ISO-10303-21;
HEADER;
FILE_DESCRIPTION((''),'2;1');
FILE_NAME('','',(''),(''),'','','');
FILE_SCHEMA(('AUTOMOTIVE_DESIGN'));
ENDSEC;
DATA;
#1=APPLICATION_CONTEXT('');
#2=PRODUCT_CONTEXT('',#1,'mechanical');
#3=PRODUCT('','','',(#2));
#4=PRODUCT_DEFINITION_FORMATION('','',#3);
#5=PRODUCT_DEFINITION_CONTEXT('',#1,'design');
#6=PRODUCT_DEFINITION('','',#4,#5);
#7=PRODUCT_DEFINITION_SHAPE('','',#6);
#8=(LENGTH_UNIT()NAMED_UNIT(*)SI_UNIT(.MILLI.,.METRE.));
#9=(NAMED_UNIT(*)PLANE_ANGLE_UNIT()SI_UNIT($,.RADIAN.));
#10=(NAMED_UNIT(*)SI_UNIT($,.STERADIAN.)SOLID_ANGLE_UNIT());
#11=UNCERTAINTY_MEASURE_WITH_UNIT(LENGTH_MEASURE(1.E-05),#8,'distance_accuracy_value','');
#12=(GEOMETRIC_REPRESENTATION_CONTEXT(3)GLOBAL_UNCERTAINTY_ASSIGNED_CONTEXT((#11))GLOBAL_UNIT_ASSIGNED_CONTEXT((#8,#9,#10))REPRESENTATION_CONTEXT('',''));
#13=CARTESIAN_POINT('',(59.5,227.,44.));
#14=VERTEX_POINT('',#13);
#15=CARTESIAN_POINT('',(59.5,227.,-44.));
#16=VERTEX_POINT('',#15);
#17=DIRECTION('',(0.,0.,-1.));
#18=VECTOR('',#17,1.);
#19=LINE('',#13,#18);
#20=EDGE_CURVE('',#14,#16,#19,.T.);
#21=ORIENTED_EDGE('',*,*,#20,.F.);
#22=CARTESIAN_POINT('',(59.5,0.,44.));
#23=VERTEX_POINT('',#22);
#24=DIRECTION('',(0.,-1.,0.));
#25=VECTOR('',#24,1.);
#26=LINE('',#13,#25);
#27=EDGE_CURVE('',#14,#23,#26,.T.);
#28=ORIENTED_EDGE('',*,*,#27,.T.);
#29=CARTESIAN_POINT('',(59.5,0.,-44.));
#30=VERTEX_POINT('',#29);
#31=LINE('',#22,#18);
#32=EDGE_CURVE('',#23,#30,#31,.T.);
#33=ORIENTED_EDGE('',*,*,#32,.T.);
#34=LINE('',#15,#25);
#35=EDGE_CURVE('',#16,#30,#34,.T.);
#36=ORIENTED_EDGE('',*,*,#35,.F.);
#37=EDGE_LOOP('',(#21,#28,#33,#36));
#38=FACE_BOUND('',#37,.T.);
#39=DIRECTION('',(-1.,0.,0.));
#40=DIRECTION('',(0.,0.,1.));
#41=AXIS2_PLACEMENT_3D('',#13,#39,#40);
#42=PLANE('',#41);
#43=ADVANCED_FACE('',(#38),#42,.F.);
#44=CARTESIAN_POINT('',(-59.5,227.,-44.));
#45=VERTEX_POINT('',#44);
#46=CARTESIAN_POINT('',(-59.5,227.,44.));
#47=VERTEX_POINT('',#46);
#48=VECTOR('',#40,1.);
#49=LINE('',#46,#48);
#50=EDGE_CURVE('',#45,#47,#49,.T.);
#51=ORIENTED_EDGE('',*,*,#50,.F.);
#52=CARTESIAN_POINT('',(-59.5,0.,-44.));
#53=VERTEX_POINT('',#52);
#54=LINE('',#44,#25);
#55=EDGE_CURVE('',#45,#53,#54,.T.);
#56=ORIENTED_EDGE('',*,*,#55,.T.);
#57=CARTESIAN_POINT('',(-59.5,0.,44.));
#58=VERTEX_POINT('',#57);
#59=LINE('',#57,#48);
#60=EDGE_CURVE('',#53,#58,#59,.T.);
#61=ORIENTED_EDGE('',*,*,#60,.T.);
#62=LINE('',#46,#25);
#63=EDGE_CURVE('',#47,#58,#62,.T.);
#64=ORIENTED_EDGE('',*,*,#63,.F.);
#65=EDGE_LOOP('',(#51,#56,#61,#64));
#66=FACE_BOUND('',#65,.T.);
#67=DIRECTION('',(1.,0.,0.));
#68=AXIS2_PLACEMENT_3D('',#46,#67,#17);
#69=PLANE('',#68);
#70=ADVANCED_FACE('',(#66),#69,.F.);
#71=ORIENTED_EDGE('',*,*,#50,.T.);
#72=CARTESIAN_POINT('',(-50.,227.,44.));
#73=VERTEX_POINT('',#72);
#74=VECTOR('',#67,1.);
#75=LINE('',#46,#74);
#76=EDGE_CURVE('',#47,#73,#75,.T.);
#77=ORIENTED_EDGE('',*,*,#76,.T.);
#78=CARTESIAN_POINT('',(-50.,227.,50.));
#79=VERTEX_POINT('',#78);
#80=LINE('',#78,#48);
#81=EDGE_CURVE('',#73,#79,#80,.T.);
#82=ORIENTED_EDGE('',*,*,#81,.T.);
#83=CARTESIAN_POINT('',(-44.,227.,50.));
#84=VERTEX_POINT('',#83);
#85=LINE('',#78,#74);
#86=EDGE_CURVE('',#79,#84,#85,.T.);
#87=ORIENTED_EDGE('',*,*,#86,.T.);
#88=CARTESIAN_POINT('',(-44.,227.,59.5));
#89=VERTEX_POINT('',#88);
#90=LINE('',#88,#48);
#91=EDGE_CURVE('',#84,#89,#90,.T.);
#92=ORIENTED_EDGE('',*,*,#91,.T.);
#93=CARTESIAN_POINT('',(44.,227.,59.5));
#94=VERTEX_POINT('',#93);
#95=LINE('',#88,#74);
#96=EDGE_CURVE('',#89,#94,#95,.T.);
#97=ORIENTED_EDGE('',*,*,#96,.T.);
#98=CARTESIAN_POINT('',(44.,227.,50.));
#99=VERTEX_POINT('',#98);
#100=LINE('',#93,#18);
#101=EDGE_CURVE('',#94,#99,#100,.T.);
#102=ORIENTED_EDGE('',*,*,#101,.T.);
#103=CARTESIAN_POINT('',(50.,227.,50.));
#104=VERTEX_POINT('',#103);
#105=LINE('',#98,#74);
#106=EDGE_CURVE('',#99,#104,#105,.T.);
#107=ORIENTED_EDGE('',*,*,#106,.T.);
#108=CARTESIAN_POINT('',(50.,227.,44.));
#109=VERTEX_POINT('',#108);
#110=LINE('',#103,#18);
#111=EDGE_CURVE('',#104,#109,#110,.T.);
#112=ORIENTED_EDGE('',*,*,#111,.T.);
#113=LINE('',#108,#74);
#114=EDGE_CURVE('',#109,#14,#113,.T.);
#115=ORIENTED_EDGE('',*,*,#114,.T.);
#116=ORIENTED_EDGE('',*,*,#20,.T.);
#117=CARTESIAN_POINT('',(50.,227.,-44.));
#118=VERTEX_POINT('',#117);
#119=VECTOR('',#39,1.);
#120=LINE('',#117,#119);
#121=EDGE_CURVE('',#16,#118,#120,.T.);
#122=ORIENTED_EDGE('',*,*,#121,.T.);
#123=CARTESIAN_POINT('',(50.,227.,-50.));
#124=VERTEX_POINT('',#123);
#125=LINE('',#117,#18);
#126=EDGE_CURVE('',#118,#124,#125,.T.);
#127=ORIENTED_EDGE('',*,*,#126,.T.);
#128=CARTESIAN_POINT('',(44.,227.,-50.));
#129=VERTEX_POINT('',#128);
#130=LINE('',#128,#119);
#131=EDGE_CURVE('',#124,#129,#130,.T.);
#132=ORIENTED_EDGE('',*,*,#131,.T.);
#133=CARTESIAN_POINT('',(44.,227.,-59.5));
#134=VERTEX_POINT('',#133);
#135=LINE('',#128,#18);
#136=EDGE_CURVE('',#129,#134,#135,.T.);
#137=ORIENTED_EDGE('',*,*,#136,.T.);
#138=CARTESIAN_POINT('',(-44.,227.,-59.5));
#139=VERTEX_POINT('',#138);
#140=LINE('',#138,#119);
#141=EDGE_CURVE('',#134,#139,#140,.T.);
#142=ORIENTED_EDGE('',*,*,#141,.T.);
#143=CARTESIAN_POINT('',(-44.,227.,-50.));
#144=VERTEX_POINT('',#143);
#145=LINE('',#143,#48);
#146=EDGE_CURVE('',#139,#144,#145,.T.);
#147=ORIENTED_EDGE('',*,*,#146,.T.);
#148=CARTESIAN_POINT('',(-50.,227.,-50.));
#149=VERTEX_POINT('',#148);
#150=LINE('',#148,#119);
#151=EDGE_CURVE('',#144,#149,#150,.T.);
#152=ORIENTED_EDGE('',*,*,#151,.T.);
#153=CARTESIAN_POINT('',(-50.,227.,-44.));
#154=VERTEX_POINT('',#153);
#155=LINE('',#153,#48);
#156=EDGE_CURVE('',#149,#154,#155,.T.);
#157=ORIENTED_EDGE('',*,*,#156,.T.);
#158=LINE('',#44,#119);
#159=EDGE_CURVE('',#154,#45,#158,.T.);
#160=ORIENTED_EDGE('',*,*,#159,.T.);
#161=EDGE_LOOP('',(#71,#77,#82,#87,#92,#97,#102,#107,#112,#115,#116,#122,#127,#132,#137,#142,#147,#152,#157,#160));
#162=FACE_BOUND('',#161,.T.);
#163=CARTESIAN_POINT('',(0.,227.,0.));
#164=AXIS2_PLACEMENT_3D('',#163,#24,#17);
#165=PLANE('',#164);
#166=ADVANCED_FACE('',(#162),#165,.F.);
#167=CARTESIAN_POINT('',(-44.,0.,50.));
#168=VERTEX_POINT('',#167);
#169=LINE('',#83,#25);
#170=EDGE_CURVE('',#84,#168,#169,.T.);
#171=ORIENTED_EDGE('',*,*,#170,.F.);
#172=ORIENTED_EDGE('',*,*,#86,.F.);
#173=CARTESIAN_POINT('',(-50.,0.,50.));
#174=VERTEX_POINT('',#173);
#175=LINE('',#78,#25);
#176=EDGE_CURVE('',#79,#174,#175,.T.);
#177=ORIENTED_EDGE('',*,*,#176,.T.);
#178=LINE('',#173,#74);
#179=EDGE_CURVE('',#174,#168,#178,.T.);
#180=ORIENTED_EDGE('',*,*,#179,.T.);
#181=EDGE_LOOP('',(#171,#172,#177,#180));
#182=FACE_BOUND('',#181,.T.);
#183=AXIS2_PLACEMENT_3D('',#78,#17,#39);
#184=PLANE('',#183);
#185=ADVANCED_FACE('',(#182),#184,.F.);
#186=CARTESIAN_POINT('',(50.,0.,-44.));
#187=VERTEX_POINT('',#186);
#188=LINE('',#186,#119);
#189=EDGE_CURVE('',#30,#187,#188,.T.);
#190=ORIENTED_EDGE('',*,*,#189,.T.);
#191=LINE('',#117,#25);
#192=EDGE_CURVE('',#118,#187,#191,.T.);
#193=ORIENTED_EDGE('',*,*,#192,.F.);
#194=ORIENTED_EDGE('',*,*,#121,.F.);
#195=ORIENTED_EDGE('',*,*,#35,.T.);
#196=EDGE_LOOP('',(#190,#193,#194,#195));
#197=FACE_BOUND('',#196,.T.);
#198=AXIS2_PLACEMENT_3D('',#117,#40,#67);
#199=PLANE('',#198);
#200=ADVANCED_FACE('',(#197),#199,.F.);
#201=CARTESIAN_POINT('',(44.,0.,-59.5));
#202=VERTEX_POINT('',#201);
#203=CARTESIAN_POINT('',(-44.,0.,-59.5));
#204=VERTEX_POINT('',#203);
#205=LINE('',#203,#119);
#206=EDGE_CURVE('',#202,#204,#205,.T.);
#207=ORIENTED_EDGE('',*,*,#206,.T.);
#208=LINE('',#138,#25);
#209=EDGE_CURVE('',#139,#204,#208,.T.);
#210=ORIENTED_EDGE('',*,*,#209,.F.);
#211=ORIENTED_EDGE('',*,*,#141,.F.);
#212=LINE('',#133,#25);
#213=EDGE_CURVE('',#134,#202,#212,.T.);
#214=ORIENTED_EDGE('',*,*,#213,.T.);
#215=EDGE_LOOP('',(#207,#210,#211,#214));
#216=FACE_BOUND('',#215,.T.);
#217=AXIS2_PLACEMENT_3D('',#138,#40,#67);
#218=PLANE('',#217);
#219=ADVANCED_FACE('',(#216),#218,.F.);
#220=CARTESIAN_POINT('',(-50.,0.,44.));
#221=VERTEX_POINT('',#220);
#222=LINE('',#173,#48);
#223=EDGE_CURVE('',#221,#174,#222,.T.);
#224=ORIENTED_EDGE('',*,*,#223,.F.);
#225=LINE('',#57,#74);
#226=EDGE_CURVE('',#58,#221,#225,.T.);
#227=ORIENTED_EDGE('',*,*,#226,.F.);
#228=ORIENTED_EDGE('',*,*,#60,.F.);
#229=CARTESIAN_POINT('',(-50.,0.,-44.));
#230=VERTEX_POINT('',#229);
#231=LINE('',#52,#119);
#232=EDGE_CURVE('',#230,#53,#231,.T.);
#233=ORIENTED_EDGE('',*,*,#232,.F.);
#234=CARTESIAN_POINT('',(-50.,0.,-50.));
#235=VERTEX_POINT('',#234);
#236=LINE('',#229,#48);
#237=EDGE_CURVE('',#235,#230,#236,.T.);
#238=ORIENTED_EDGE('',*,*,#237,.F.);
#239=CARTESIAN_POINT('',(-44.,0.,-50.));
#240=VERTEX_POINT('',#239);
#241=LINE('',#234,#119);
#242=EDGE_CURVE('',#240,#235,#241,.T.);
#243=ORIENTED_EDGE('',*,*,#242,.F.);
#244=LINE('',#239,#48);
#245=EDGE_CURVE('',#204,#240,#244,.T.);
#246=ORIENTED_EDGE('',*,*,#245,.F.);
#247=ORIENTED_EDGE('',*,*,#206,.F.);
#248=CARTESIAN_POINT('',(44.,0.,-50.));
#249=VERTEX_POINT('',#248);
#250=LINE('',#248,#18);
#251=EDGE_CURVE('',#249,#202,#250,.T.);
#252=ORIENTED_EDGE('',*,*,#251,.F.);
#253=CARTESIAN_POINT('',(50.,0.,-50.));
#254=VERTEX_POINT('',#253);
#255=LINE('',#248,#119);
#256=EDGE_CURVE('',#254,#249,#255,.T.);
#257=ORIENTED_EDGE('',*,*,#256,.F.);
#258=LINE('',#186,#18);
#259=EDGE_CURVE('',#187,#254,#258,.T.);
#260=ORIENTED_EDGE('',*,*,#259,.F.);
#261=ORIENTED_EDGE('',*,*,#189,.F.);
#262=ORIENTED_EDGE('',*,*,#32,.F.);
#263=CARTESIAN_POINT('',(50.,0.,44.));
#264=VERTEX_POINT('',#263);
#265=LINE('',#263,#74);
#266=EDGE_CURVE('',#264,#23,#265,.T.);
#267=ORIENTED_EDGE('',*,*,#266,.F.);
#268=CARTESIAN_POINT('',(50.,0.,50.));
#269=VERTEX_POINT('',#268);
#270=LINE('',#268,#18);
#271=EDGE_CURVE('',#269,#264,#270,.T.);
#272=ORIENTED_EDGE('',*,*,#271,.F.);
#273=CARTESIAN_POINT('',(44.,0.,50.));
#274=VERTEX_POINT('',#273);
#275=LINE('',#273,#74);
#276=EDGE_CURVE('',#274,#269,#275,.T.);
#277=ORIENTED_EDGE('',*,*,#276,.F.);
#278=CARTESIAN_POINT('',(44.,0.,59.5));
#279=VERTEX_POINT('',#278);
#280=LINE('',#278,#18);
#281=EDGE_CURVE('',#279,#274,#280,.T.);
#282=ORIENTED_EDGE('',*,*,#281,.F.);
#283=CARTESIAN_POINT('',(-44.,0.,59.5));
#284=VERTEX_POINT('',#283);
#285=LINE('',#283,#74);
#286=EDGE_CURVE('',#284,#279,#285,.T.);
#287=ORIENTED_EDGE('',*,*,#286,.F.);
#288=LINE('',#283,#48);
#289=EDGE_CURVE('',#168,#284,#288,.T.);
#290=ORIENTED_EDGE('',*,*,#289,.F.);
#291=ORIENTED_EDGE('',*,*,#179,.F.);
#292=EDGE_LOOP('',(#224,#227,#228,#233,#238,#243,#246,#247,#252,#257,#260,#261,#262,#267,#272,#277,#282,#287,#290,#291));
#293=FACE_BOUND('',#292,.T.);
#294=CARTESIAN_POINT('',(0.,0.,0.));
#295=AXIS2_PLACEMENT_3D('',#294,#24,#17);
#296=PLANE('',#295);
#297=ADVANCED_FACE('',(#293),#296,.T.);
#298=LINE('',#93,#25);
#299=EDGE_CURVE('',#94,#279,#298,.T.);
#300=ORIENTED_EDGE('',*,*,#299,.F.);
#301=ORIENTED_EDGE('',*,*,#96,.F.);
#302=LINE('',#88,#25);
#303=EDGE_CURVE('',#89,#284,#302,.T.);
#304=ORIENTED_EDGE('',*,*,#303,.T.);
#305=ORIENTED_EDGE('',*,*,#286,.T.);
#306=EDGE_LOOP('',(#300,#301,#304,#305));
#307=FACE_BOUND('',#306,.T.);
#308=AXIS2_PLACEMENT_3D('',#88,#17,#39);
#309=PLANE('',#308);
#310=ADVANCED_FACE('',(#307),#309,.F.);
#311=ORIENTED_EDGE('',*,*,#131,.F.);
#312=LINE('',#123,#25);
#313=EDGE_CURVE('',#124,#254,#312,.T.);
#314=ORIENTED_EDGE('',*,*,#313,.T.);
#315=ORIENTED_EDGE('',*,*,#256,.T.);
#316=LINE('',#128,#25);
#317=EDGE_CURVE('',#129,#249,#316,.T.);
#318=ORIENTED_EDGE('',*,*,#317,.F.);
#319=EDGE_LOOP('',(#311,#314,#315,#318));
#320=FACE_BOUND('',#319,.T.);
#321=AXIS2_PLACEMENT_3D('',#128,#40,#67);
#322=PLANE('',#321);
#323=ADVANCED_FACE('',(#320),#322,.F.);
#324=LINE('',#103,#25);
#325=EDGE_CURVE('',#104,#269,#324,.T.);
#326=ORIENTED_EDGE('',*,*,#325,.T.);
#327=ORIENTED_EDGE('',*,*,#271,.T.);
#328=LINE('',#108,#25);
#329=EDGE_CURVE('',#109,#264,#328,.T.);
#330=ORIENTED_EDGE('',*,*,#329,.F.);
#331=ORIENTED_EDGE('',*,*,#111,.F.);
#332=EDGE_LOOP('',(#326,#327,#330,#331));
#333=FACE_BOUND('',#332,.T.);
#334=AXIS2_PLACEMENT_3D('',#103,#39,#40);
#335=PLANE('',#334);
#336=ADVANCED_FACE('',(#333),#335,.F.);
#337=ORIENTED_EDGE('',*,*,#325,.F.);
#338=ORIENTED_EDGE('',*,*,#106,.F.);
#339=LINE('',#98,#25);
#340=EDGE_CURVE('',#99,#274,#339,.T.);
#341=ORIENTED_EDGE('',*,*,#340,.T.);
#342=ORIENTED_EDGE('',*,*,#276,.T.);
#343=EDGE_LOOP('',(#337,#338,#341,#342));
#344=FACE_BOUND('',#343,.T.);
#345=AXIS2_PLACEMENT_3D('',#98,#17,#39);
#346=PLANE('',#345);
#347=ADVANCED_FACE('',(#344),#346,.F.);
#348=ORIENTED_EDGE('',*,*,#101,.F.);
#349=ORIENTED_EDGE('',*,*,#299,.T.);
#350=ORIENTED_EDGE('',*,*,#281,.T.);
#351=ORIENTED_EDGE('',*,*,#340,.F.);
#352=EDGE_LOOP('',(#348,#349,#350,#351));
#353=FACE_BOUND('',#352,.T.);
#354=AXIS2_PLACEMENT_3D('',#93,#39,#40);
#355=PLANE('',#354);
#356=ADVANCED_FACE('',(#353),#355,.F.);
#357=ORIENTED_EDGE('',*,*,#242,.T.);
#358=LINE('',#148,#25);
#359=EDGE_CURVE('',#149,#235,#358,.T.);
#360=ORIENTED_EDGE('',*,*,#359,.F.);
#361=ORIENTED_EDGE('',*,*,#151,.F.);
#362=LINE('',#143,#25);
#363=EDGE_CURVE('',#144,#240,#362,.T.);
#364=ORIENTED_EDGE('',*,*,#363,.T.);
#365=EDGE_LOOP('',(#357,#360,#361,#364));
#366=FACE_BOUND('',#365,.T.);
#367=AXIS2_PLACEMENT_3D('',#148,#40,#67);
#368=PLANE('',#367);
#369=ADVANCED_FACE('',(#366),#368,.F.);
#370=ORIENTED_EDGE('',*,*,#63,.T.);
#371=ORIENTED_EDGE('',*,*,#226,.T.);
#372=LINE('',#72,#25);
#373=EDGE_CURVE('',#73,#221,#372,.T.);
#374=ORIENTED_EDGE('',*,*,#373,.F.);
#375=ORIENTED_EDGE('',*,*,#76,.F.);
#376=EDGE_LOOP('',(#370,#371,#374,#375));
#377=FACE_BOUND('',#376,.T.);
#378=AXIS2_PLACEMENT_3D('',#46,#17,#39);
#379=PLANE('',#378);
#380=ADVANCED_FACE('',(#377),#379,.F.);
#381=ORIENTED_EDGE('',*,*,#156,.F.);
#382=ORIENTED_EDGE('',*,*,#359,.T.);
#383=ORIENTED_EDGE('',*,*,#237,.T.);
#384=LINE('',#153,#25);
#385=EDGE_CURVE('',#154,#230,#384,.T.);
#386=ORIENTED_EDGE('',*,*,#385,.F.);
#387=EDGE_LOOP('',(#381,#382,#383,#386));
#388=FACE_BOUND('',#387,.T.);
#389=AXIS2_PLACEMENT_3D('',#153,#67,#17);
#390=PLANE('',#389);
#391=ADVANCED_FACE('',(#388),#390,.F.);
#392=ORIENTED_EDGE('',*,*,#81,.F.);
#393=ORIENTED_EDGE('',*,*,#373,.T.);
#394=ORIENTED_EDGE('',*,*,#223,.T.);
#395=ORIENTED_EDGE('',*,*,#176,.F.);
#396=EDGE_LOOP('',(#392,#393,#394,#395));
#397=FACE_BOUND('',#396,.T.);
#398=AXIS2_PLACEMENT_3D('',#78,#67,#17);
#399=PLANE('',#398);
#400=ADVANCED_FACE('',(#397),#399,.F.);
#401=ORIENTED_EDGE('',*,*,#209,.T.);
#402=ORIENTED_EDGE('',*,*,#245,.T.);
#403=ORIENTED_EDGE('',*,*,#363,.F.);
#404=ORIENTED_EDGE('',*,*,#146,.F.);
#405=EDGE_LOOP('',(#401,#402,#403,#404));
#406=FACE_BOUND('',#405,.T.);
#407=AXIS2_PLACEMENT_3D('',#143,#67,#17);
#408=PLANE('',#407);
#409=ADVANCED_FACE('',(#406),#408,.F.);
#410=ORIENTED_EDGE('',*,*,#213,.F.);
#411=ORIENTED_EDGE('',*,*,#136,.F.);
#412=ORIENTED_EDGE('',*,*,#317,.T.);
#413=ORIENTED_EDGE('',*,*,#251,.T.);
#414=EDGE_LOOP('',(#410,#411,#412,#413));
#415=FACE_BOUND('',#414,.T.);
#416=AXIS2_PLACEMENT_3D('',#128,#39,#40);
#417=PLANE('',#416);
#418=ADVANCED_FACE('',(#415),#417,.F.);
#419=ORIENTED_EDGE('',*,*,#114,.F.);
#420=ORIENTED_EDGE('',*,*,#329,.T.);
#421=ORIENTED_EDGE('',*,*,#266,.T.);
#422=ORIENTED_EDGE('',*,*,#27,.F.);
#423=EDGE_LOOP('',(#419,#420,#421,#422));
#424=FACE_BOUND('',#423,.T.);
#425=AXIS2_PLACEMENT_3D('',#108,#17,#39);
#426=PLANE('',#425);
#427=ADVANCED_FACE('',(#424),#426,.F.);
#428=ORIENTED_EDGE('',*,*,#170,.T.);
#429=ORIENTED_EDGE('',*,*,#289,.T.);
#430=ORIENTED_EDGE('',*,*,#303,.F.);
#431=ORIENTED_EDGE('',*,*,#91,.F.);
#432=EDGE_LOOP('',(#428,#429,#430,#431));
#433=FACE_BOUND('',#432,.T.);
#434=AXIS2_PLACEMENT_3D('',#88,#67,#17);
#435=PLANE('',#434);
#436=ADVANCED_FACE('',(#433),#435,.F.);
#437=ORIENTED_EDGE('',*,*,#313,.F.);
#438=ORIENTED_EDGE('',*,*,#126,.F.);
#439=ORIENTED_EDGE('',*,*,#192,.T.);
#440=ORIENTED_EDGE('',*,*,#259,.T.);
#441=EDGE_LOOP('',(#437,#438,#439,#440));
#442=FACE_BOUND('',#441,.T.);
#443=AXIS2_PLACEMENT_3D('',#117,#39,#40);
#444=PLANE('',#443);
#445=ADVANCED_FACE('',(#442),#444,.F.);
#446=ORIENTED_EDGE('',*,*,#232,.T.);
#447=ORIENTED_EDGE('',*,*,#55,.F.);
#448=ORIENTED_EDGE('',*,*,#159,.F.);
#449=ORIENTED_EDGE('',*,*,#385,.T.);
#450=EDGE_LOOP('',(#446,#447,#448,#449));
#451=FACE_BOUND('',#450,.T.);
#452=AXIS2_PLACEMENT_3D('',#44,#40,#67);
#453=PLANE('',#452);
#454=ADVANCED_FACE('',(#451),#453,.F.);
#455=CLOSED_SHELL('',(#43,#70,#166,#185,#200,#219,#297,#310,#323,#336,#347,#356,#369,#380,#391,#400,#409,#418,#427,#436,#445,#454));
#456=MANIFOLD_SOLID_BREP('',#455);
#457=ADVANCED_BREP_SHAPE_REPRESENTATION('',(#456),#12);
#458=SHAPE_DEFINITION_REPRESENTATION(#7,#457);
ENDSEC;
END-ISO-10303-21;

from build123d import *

# Parameters (mm, degrees)
BOSS_EXTRUDE1_DEPTH = 227


with BuildPart() as part:
    # Sketch1 → Boss-Extrude1 (new body)
    with BuildSketch(Plane(origin=(0, 0, 0), x_dir=(1, 0, 0), z_dir=(0, 1, 0))):
        Polygon((-44, 50), (-44, 59.5), (44, 59.5), (44, 50), (50, 50), (50, 44), (59.5, 44), (59.5, -44), (50, -44), (50, -50), (44, -50), (44, -59.5), (-44, -59.5), (-44, -50), (-50, -50), (-50, -44), (-59.5, -44), (-59.5, 44), (-50, 44), (-50, 50), align=None)
    extrude(amount=BOSS_EXTRUDE1_DEPTH)


solid = part.part
